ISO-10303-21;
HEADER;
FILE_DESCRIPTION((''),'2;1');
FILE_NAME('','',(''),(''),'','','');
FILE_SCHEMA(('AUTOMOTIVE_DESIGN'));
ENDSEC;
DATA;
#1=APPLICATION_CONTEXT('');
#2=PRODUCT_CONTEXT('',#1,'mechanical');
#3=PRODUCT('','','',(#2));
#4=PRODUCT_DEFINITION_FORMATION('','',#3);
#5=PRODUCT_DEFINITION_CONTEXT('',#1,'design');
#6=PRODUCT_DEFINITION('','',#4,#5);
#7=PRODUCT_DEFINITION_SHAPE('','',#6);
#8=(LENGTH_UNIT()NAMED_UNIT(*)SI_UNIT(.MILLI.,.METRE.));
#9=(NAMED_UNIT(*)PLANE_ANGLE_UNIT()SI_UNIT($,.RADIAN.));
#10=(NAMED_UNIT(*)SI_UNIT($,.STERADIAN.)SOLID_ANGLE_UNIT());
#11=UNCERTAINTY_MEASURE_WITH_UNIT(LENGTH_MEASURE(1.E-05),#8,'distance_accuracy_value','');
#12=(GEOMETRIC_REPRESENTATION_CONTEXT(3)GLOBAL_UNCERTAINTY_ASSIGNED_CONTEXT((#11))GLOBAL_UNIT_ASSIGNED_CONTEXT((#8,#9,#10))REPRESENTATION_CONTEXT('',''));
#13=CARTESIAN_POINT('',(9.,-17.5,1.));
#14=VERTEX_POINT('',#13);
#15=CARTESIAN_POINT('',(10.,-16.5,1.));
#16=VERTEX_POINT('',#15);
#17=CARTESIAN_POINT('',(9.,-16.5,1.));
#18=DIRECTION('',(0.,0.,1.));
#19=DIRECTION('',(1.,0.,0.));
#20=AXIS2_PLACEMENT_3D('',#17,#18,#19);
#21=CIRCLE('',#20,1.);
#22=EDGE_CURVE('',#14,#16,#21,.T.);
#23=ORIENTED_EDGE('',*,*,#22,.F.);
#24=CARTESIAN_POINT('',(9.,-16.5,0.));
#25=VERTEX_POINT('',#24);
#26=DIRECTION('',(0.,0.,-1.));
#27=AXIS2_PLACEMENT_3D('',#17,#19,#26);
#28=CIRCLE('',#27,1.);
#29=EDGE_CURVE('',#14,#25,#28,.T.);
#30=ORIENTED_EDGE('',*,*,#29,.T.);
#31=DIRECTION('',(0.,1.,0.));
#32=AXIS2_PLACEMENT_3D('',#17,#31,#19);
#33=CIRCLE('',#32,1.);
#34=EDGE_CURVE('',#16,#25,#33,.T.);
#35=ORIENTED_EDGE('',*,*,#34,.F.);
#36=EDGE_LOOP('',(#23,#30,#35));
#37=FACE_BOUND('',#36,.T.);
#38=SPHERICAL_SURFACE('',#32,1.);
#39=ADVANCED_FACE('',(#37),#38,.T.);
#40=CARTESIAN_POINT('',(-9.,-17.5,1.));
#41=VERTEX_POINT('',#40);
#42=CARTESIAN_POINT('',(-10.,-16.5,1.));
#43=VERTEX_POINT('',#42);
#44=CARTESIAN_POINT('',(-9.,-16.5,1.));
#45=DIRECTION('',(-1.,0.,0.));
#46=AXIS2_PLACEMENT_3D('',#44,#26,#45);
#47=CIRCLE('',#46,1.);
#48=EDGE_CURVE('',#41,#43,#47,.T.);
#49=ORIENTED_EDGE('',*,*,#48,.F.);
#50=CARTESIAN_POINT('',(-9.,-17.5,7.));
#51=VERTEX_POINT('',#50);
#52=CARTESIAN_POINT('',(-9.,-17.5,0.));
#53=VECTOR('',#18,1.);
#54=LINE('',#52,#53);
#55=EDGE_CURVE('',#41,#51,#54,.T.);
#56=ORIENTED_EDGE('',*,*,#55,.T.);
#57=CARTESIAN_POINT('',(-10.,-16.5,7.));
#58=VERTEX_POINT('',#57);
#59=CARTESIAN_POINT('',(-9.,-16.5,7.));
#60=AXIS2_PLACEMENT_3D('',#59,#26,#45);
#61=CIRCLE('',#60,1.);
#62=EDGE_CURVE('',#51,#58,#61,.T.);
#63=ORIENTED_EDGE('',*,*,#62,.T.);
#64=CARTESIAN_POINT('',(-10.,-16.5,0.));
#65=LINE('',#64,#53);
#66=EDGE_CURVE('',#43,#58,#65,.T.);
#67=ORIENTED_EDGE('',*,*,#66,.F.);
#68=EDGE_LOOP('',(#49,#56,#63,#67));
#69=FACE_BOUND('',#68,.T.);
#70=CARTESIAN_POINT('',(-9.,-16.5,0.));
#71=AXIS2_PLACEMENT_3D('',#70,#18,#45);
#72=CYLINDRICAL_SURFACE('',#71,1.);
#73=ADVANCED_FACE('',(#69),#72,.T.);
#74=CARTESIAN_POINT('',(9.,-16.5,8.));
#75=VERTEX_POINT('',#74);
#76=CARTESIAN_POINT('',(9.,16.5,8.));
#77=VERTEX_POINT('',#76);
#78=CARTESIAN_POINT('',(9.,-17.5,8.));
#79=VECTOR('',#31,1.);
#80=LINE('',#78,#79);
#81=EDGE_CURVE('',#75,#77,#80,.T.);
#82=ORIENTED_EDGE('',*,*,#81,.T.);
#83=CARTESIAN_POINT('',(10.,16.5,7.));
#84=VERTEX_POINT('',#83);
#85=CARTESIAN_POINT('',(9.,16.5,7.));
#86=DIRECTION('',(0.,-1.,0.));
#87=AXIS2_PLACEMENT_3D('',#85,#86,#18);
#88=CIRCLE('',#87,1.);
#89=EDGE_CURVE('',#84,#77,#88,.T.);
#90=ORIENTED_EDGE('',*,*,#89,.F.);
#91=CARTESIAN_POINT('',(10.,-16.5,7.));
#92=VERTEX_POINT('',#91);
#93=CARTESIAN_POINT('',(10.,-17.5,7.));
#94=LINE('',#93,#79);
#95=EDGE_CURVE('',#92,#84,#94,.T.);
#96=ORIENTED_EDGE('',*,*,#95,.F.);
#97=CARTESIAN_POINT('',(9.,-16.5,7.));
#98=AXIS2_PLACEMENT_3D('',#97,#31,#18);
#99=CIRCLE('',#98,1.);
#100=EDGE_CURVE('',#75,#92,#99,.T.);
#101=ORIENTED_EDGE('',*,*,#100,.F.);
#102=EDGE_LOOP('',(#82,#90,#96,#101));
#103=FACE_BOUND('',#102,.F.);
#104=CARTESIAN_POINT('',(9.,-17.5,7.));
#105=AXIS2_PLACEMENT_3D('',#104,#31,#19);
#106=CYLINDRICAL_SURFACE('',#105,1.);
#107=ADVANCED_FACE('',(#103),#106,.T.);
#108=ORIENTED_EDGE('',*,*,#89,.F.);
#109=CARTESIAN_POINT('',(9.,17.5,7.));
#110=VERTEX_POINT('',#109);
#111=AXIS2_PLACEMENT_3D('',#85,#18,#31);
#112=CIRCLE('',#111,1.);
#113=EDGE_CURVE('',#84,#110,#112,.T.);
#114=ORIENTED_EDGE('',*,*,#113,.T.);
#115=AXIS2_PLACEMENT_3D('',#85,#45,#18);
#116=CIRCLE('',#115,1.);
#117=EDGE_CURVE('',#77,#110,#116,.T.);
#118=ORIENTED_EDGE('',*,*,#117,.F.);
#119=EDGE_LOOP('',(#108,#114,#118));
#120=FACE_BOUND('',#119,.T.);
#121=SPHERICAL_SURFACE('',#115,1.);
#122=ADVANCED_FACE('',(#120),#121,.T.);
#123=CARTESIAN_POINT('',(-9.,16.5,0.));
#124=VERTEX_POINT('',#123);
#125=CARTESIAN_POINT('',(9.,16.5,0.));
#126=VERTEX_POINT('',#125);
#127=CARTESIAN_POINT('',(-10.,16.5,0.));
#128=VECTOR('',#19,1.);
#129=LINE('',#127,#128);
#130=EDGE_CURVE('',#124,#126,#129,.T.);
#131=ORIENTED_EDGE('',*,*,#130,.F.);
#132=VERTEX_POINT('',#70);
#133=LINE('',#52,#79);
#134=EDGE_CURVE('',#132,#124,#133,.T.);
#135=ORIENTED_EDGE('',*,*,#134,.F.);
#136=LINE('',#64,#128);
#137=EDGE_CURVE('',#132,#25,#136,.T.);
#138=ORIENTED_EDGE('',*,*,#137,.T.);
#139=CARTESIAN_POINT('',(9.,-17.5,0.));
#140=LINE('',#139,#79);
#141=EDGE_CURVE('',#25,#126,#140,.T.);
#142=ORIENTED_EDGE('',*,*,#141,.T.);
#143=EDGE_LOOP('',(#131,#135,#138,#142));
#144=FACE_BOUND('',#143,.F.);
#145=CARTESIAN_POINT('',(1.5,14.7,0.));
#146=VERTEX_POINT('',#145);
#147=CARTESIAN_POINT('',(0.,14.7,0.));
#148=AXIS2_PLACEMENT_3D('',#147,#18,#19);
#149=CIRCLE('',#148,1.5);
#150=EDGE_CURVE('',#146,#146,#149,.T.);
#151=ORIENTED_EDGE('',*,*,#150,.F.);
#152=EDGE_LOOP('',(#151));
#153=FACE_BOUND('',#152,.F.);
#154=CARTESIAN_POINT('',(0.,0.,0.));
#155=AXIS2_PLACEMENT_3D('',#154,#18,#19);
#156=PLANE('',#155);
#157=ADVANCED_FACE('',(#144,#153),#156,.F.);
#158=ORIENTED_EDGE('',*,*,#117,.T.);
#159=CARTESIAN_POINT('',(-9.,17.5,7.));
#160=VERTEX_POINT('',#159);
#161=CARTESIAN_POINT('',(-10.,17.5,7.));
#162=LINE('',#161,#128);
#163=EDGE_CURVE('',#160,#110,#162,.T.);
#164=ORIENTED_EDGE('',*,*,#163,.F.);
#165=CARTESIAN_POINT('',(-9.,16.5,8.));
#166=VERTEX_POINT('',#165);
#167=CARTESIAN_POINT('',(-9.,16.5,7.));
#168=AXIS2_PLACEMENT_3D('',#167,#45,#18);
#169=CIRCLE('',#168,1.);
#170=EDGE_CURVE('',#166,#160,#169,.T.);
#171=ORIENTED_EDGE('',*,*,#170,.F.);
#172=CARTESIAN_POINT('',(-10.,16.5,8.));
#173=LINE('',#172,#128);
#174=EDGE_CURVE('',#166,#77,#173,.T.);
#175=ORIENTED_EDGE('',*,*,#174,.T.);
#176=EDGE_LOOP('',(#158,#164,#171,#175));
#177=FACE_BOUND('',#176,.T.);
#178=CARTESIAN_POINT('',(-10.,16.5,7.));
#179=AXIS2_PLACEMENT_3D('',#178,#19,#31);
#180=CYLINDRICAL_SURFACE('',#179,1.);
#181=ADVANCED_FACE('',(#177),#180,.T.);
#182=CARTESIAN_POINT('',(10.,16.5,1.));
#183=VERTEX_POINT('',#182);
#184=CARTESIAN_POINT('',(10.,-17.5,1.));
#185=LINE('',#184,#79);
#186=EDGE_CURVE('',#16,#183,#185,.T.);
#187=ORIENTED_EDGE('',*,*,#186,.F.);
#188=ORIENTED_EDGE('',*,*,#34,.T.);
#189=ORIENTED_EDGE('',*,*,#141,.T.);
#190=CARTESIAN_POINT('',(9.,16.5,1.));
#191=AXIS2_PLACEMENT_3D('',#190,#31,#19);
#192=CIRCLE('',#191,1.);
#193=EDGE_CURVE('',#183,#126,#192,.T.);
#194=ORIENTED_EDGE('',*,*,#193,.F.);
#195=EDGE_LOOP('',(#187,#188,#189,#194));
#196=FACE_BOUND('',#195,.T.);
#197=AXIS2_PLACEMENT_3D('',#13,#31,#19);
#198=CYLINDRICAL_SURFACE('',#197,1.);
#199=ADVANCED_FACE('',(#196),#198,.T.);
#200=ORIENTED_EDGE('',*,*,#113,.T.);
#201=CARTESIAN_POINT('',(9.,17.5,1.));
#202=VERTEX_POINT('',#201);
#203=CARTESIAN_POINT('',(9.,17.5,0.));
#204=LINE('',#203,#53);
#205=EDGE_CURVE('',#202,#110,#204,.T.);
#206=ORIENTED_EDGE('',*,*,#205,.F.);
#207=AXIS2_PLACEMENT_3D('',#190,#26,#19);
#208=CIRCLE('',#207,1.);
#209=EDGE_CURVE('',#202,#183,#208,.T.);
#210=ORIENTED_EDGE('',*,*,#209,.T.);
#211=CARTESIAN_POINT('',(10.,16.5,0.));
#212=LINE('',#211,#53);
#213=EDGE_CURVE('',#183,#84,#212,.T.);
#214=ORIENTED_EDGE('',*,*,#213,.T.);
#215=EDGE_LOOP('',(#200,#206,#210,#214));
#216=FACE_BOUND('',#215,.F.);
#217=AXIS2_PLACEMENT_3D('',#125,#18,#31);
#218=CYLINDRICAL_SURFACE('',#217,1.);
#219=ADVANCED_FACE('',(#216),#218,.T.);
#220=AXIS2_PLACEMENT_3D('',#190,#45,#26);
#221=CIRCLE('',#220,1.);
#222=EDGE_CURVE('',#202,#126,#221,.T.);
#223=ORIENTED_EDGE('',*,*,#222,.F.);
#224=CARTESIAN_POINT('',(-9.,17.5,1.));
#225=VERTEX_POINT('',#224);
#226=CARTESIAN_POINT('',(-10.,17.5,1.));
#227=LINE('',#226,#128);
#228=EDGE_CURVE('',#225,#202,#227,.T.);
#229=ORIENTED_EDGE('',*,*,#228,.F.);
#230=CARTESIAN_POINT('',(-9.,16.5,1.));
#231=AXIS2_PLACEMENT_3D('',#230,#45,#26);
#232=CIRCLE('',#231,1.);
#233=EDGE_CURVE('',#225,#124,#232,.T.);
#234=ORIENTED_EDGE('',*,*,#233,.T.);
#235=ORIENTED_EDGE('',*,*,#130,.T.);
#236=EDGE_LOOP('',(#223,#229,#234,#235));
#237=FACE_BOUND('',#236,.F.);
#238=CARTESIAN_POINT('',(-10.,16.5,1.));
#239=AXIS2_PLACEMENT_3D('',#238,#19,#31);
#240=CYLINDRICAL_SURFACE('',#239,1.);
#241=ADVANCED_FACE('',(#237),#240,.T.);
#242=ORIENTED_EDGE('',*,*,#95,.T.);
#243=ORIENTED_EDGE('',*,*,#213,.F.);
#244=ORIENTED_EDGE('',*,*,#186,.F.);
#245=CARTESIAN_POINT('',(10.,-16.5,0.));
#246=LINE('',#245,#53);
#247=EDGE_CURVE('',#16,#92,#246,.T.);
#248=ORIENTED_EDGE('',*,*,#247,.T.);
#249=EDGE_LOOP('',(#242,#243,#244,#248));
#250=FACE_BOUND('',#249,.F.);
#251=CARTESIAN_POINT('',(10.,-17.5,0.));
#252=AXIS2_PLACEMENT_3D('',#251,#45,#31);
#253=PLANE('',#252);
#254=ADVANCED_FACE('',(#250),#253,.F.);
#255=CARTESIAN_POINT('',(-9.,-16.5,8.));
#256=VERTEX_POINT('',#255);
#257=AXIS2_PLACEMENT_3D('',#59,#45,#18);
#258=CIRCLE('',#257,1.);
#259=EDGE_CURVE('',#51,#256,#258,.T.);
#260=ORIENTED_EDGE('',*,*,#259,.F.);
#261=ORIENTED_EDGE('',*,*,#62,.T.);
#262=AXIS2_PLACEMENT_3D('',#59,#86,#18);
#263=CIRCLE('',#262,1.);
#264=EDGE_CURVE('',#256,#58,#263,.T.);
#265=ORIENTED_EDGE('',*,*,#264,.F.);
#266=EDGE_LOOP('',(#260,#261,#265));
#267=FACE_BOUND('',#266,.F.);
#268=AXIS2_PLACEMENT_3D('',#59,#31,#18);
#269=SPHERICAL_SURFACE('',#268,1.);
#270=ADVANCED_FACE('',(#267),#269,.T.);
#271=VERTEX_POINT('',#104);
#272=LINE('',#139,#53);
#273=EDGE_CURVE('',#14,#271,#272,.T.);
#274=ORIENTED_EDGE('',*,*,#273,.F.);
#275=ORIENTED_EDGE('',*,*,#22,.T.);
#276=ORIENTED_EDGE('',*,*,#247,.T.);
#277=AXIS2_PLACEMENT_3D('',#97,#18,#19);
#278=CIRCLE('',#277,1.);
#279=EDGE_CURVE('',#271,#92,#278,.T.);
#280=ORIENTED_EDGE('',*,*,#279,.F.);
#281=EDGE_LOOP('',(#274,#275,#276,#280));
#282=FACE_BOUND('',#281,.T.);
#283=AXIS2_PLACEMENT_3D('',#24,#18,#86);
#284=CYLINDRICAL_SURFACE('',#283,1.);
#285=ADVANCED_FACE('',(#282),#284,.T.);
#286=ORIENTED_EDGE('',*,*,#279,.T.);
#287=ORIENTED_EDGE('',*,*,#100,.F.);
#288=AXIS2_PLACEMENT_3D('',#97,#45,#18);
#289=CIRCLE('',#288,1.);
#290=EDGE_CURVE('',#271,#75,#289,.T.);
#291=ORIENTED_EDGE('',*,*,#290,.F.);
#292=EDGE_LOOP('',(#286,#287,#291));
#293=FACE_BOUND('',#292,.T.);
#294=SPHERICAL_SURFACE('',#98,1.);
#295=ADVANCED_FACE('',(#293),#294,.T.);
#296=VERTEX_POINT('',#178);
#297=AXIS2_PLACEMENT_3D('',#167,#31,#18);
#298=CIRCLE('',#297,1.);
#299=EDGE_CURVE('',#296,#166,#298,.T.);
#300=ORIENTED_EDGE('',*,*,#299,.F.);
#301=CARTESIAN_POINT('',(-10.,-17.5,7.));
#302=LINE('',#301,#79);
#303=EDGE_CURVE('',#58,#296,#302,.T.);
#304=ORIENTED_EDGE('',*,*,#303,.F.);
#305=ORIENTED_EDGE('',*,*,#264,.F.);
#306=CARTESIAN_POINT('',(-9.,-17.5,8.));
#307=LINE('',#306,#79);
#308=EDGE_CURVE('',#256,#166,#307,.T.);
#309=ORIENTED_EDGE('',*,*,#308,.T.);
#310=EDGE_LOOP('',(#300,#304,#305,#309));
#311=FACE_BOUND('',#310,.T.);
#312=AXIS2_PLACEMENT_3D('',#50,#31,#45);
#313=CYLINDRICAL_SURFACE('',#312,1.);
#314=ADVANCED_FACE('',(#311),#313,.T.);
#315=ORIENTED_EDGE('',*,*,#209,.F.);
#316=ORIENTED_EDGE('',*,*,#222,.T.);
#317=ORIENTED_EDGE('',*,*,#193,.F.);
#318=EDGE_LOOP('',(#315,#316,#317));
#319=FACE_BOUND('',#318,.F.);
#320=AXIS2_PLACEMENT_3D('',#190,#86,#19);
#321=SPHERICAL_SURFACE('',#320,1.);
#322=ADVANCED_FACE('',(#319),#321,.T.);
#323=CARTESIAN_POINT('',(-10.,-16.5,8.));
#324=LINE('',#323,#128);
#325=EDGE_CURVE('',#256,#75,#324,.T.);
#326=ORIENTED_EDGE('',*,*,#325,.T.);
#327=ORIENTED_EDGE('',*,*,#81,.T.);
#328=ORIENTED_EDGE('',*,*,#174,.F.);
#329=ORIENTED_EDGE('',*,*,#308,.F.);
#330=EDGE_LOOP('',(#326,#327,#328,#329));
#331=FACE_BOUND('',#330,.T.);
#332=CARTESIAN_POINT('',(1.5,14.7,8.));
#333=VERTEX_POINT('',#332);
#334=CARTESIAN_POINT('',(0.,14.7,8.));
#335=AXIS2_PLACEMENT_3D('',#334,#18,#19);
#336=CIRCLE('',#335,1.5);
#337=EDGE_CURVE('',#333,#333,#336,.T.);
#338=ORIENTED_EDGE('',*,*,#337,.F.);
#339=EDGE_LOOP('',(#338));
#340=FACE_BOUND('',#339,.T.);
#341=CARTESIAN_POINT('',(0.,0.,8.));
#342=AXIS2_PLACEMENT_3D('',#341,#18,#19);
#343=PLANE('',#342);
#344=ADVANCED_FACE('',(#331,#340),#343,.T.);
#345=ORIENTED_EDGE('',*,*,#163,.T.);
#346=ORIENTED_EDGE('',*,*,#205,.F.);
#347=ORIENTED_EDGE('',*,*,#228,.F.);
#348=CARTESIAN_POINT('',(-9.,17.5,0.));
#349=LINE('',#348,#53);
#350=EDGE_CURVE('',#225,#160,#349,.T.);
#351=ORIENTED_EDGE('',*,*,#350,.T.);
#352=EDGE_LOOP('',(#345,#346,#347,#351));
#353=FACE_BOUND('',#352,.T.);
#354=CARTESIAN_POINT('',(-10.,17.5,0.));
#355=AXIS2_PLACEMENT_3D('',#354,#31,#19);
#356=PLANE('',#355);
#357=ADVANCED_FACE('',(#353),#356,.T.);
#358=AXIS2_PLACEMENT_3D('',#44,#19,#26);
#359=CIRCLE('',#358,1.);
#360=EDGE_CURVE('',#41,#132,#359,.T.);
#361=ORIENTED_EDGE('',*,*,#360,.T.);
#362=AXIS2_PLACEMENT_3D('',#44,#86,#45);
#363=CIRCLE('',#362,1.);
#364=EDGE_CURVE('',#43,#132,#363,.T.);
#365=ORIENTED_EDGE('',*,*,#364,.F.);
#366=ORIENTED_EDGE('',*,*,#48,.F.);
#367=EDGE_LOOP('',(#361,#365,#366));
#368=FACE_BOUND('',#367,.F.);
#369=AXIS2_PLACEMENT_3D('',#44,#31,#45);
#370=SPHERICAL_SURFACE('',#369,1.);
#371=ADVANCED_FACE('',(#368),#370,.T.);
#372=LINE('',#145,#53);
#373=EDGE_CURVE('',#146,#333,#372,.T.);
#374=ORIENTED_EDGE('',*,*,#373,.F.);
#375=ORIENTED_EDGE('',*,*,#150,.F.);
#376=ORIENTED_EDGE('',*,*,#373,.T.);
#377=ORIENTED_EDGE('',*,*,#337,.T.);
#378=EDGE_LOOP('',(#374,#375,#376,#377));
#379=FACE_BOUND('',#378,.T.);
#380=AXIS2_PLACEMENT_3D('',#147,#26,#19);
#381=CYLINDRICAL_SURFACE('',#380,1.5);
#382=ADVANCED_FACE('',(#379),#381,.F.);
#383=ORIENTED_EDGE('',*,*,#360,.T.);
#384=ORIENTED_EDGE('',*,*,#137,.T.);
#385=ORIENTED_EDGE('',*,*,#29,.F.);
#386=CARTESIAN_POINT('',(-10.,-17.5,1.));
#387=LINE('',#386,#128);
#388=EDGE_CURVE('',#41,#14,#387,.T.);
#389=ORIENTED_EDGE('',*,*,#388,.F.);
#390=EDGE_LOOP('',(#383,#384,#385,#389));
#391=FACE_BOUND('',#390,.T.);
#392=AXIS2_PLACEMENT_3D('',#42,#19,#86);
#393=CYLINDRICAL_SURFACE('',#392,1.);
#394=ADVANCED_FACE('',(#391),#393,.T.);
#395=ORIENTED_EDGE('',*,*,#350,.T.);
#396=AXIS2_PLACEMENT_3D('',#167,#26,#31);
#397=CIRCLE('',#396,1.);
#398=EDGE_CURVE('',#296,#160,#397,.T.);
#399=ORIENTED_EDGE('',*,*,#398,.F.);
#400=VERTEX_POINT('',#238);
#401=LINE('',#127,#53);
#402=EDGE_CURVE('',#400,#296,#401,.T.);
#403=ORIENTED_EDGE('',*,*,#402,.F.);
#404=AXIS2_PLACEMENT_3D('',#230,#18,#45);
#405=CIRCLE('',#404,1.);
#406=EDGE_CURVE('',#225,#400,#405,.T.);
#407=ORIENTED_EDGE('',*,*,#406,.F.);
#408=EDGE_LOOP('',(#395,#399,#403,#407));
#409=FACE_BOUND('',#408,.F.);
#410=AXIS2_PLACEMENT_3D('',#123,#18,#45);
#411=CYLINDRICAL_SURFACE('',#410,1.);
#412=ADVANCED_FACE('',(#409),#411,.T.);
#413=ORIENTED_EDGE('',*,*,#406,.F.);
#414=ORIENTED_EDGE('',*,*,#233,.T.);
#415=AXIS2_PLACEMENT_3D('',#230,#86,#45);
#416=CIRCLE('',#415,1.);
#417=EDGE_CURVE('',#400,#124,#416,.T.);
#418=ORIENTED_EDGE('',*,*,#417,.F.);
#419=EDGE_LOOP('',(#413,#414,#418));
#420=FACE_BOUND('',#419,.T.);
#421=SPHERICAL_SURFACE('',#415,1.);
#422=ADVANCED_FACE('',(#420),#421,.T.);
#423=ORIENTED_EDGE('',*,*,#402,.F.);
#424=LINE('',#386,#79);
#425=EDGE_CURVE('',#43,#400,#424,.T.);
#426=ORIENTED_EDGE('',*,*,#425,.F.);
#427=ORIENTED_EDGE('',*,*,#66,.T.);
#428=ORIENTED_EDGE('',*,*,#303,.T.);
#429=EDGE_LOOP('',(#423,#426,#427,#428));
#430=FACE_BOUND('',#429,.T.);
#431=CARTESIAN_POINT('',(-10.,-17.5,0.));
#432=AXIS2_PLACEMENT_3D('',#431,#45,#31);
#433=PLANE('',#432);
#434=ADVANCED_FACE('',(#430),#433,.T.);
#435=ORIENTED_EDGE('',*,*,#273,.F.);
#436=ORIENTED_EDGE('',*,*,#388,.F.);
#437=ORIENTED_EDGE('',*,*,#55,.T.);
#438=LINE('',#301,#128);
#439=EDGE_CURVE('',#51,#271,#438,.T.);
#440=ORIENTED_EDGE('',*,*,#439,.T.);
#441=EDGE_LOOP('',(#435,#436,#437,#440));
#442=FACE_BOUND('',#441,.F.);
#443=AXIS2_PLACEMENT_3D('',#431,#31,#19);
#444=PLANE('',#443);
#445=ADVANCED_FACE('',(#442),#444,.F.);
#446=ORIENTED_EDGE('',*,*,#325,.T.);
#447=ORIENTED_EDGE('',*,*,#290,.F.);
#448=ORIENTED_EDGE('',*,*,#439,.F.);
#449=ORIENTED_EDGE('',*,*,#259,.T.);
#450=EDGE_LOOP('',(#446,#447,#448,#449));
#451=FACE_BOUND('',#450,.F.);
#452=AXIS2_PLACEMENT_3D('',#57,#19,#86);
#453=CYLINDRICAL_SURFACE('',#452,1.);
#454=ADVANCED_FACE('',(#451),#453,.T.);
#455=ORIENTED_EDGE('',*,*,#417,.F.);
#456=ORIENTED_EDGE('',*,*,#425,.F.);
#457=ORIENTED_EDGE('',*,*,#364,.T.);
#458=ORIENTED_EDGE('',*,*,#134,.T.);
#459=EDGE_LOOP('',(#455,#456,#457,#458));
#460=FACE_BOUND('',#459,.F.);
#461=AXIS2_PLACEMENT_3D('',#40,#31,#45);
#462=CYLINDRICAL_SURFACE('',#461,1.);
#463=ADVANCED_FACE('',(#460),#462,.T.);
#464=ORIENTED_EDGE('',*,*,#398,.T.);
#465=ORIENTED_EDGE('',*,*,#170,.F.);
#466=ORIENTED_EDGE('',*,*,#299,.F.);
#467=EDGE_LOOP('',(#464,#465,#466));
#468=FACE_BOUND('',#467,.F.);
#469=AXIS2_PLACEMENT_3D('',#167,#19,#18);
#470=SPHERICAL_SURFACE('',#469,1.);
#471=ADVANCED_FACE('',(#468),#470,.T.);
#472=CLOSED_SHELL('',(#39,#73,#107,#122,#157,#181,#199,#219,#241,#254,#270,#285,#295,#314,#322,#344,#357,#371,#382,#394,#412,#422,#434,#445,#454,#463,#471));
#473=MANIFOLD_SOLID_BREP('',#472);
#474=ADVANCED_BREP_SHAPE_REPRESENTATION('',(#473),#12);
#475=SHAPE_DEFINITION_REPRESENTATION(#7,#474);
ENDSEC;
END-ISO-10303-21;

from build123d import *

# Parameters (mm, degrees)
F0_W     = 20
F0_H     = 35
F0_R     = 1.5
F1_DEPTH = 8
F2_R     = 1


with BuildPart() as f1:
    # F0 (on Top) → F1 (new body)
    with BuildSketch(Plane.XY):
        Rectangle(F0_W, F0_H)
        with Locations((0, 14.7)):
            Circle(F0_R, mode=Mode.SUBTRACT)
    extrude(amount=F1_DEPTH)

    # F2
    f2_edges = [f1.edges().sort_by_distance(p)[0] for p in [
        (0, 17.5, 8),
        (10, 0, 8),
        (-10, 0, 8),
        (0, -17.5, 8),
        (-10, 0, 0),
        (-10, 17.5, 4),
        (-10, -17.5, 4),
        (10, 0, 0),
        (10, 17.5, 4),
        (10, -17.5, 4),
        (0, -17.5, 0),
        (0, 17.5, 0),
    ]]
    fillet(f2_edges, radius=F2_R)


solid = f1.part
